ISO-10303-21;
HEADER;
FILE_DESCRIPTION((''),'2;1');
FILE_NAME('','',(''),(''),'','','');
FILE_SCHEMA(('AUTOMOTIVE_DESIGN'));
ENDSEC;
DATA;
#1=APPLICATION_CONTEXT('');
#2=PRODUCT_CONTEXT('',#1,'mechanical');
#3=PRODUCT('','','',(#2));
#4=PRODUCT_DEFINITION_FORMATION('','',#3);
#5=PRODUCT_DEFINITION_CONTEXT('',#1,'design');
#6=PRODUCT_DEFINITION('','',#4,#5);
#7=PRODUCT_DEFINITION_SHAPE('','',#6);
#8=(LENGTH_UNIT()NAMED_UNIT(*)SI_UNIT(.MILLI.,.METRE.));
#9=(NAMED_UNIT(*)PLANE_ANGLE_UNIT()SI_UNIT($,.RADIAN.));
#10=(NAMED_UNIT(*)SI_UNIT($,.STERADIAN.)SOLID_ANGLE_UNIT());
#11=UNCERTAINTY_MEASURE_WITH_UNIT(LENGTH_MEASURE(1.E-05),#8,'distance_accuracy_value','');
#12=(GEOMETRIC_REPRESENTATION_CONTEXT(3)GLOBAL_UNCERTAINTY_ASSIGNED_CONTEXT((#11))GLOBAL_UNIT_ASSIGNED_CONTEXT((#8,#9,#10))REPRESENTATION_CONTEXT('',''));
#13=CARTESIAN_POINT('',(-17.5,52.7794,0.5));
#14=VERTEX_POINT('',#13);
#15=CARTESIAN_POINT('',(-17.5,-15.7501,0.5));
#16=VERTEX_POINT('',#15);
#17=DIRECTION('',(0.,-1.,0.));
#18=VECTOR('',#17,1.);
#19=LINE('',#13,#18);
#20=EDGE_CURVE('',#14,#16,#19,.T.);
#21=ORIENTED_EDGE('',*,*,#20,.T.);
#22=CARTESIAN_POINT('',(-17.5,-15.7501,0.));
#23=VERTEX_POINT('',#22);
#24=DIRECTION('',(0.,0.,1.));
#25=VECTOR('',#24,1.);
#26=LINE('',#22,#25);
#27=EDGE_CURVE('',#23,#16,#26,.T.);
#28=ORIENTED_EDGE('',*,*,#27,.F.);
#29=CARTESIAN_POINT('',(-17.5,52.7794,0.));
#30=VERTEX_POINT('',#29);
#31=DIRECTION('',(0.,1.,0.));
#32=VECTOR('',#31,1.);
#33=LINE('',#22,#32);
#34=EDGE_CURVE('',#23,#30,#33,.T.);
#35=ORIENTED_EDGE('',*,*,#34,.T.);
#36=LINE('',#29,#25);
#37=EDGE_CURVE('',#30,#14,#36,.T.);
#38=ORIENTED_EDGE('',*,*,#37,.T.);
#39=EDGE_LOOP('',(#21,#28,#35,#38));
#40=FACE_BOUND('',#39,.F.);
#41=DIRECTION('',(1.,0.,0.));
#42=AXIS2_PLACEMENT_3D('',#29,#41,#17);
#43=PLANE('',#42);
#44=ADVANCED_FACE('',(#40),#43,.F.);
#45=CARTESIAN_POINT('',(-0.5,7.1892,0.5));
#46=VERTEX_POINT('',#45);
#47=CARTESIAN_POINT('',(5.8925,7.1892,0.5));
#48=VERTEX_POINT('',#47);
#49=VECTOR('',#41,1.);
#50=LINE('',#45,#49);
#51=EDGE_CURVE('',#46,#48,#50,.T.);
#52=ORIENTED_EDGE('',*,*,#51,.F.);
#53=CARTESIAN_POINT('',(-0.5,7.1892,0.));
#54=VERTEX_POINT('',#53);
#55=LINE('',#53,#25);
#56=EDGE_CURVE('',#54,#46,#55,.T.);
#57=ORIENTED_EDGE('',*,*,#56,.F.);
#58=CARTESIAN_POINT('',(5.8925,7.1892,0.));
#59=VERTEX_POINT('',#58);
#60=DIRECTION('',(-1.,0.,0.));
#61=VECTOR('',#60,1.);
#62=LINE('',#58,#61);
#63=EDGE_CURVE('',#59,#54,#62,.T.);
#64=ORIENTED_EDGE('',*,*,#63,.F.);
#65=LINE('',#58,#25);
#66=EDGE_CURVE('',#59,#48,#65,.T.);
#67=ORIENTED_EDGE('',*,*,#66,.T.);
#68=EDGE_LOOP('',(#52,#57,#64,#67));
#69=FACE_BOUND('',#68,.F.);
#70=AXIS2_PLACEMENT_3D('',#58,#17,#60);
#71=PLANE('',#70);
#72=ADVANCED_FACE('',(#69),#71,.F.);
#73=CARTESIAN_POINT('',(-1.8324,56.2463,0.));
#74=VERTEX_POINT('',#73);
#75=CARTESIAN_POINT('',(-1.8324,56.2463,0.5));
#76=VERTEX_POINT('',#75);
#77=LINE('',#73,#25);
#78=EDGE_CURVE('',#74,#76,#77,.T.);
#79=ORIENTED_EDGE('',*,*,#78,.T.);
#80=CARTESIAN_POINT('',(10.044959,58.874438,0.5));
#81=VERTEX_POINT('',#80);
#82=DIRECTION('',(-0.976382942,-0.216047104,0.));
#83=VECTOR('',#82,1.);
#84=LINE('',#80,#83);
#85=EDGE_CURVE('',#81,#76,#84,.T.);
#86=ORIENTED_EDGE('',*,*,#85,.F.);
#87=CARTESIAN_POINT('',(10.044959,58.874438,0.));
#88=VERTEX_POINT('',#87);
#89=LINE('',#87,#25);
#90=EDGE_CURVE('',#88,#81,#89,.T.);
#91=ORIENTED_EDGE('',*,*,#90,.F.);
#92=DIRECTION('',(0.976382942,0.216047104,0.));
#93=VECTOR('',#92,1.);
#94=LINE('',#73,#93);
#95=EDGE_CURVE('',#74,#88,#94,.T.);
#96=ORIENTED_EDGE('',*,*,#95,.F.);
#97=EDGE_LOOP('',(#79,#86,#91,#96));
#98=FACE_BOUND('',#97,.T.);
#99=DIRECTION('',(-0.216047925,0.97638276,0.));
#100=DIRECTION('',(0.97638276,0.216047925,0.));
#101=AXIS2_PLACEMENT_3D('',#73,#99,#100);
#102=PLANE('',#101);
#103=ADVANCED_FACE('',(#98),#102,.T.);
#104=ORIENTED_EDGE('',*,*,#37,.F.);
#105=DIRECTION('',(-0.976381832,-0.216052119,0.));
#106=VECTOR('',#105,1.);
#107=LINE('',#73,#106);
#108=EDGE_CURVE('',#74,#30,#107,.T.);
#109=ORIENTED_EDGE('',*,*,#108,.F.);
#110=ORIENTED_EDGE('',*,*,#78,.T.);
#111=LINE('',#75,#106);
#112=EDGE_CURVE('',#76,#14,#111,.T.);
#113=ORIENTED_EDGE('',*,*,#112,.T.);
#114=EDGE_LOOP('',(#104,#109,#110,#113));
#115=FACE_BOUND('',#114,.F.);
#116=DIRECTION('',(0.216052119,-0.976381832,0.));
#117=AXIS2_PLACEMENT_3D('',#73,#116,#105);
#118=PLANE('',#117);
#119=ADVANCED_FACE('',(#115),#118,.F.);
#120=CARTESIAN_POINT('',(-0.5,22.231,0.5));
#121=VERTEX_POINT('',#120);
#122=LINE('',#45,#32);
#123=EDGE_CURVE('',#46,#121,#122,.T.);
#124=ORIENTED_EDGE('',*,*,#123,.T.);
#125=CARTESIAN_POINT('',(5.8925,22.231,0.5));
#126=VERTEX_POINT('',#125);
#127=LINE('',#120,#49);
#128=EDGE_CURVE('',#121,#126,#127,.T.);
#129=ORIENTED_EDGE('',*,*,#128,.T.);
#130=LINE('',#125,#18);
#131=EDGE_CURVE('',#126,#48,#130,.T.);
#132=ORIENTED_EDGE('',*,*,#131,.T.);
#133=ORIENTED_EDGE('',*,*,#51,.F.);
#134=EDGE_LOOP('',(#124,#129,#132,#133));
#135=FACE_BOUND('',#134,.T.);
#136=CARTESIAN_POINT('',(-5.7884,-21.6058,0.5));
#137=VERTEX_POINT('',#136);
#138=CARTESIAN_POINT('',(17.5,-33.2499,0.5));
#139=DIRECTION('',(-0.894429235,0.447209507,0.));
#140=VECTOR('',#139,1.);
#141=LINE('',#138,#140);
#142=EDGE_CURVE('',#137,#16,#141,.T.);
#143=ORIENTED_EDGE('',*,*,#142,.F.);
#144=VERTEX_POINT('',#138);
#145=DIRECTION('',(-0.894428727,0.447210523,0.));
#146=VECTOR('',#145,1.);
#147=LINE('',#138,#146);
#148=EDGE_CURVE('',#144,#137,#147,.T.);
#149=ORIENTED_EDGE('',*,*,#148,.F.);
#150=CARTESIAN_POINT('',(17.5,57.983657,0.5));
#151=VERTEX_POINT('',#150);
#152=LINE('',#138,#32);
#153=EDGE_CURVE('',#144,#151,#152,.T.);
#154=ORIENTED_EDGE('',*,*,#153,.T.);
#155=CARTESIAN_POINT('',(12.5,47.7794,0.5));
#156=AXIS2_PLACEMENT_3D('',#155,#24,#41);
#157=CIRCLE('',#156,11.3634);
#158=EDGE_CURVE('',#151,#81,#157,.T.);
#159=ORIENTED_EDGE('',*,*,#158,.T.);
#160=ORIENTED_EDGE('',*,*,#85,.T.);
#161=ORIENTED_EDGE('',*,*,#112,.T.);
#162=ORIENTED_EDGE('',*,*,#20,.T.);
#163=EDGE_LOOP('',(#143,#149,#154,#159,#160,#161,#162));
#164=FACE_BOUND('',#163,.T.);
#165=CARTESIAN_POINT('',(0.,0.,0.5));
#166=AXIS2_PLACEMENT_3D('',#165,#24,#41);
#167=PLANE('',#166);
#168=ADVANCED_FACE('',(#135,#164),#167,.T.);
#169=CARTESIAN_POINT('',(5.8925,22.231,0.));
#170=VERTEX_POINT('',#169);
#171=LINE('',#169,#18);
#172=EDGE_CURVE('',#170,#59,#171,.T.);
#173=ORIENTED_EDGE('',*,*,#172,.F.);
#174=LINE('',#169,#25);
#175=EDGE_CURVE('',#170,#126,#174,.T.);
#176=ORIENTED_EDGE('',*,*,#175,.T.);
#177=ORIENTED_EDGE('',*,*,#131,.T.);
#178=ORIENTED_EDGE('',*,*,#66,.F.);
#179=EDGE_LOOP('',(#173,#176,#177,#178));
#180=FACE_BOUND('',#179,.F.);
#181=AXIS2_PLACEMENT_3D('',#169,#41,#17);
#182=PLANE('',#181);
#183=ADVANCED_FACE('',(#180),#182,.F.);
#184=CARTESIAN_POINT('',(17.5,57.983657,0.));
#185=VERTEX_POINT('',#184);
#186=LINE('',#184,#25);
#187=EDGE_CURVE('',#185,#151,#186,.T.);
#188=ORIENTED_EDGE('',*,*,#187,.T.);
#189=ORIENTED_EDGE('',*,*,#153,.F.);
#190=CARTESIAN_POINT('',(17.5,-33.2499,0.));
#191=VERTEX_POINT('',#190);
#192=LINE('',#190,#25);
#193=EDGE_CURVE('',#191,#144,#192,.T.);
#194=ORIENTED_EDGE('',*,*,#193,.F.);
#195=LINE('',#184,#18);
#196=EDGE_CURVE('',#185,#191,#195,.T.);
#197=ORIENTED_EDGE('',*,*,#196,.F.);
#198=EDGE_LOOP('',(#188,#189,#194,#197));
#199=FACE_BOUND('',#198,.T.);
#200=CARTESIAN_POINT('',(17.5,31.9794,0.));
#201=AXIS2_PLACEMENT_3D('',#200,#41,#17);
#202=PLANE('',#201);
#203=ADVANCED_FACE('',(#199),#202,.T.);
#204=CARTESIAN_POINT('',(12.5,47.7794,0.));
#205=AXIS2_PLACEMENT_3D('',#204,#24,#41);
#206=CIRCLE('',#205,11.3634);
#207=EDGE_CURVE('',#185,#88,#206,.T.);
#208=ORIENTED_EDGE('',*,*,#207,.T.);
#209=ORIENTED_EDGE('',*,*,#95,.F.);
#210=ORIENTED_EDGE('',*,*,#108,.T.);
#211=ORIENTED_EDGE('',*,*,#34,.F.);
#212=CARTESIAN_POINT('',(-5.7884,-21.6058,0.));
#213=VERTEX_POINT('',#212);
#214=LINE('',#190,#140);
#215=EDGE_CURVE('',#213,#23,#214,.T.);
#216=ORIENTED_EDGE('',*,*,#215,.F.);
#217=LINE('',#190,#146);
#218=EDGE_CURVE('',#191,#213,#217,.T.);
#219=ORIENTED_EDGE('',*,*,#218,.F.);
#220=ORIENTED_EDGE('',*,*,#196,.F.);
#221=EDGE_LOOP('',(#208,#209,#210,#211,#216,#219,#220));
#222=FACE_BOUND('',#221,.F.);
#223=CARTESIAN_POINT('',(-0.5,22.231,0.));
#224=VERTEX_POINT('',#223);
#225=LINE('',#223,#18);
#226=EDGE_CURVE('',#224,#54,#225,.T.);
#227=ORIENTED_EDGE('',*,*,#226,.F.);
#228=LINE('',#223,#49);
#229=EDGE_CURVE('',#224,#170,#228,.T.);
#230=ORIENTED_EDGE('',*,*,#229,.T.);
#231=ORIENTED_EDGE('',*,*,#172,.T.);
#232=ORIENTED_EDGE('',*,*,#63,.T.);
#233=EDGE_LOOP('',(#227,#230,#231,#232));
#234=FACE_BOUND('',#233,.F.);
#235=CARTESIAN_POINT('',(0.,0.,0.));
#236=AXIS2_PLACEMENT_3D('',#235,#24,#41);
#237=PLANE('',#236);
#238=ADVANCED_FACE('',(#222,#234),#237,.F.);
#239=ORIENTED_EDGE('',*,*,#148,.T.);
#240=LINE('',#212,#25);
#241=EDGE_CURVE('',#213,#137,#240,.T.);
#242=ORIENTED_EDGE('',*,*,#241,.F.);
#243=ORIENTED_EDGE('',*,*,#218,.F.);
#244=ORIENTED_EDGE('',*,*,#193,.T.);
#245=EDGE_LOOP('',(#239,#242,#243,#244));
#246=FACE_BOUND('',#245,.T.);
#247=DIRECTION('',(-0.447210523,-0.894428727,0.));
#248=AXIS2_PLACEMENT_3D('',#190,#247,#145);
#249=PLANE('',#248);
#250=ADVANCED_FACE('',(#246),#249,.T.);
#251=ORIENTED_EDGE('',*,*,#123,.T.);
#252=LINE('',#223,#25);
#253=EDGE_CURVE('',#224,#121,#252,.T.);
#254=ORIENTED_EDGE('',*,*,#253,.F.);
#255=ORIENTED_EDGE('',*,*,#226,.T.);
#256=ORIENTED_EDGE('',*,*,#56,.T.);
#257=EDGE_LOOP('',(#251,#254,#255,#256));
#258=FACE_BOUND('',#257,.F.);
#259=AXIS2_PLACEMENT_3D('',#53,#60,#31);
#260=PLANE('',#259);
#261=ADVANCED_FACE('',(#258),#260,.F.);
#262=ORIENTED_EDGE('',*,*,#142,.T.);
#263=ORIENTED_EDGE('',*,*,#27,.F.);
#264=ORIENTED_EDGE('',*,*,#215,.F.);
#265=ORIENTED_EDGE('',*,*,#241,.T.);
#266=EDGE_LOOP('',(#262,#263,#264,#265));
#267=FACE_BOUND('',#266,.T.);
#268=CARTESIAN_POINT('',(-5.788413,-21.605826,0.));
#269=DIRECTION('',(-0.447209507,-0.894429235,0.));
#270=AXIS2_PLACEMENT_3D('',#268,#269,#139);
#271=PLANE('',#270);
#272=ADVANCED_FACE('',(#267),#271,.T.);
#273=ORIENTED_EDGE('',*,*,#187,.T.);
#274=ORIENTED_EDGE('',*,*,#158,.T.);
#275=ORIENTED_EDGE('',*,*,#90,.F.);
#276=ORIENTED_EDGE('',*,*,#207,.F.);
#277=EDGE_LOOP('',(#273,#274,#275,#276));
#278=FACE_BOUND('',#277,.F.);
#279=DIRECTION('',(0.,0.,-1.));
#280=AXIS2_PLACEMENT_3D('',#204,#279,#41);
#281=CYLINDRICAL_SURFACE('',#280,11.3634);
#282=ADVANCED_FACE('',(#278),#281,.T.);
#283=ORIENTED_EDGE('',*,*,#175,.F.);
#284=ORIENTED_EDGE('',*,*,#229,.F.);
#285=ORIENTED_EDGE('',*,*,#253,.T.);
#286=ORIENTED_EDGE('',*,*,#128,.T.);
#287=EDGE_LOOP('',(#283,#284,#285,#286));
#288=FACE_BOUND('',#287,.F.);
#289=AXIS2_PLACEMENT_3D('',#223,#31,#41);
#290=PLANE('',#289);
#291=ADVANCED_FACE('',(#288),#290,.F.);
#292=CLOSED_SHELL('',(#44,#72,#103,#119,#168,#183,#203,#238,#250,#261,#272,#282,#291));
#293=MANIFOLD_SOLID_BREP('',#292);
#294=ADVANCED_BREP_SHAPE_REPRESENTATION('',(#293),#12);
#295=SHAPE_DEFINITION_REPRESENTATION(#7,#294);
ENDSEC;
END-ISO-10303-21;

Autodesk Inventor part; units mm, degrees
ref_plane "YZ Plane" through (0, 0, 0) normal (1, 0, 0) x (0, 1, 0)
ref_plane "XZ Plane" through (0, 0, 0) normal (0, 1, 0) x (-1, 0, 0)
ref_plane "XY Plane" through (0, 0, 0) normal (0, 0, 1) x (1, 0, 0)
sketch "Sketch1" plane through (0, 0, 0) normal (0, 0, 1) x (1, 0, 0)
  line L0 (7.5, 3.8038) -> (3.6225, 3.8038) projected
  arc A0 (1.9153, 4.762) -> (3.6225, 3.8038) centre (3.6225, 5.8038) ccw projected
  line L1 (1.9153, 4.762) -> (-2.2072, 11.517) projected
  arc A1 (-2.5, 12.5588) -> (-2.2072, 11.517) centre (-0.5, 12.5588) ccw projected
  line L2 (-2.5, 12.5588) -> (-2.5, 21.8038) projected
  arc A2 (-0.5, 23.8038) -> (-2.5, 21.8038) centre (-0.5, 21.8038) ccw projected
  line L3 (-0.5, 23.8038) -> (7.5, 23.8038) projected
  line L4 (7.5, 23.8038) -> (7.5, 3.8038) projected
  spline S0 degree 3 poles (-6.0485, -11.2843) (-6.0213, -11.0209) (-5.9428, -10.7653) (-5.6929, -10.2997) (-5.524, -10.094) (-5.1467, -9.7842) (-4.9505, -9.6718) (-4.5292, -9.5173) (-4.3073, -9.4763) (-4.0832, -9.4731) knots 0 0 0 0 0.079442 0.079442 0.158531 0.158531 0.225919 0.225919 0.293184 0.293184 0.293184 0.293184 projected
  line L5 (-6.0485, -11.2843) -> (-6.563, -16.2598) projected
  line L6 (-6.563, -16.2598) -> (-6.8849, -19.6266) projected
  arc A3 (-6.8849, -19.6266) -> (-5.7884, -21.6058) centre (-4.894, -19.817) ccw projected
  line L7 (17.5, -33.2499) -> (-5.7884, -21.6058) projected
  line L8 (17.5, 31.9794) -> (17.5, -33.2499) projected
  arc A4 (4.376, 33.2499) -> (17.5, 31.9794) centre (12.5, 48.7499) ccw projected
  arc A5 (-1.8324, 56.2463) -> (4.376, 33.2499) centre (12.5, 47.7794) ccw projected
  line L9 (-1.8324, 56.2463) -> (-17.5, 52.7794) projected
  line L10 (-17.5, 52.7794) -> (-17.5, 3.0185) projected
  ellipse E0 centre (-15.5, 3.0185) end of major axis (-15.5, 1.0011) minor radius 2 (-17.5, 3.0185) -> (-15.6888, 1.0101) ccw projected
  line L11 (-15.6888, 1.0101) -> (-3.1949, -0.1848) projected
  line L12 (-3.1949, -0.1848) -> (-4.0832, -9.4731) projected
  circle A6 centre (-12, 26.728) radius 1.25 projected
  circle A7 centre (5.3255, 26.728) radius 1.25 projected
  line L13 (-14, 9.2999) -> (-10, 9.2999) projected
  line L14 (-14, 15.6999) -> (-14, 9.2999) projected
  line L15 (-10, 15.6999) -> (-14, 15.6999) projected
  line L16 (-10, 9.2999) -> (-10, 15.6999) projected
  line L17 (13.7851, 6.0601) -> (9.7851, 6.0601) projected
  line L18 (13.7851, -0.3399) -> (13.7851, 6.0601) projected
  line L19 (9.7851, -0.3399) -> (13.7851, -0.3399) projected
  line L20 (9.7851, 6.0601) -> (9.7851, -0.3399) projected
  circle A8 centre (7.1425, -8.6154) radius 1.25 projected
  line L21 (17.5, -33.2499) -> (-17.5, -15.7501) projected
  line L22 (-17.5, -15.7501) -> (-17.5, -17.9862) projected
  line L23 (-17.5, -17.9862) -> (17.5, -35.486) projected
  line L24 (17.5, -35.486) -> (17.5, -33.2499) projected
  line L25 (-1.4649, 56.8397) -> (-18, 53.1809) projected
  line L26 (-18, 53.1809) -> (-18, -17.9862) projected
  line L27 (-18, -17.9862) -> (-17.5, -17.9862) projected
  line L28 (-17.5, -17.9862) -> (-17.5, 52.7794) projected
  line L29 (-17.5, 52.7794) -> (-1.8324, 56.2463) projected
  arc A9 (-1.4649, 56.8397) -> (-1.8324, 56.2463) centre (12.5, 47.7794) ccw projected
  line L30 (19.5, -37.0206) -> (19.5, 31.9794) projected
  line L31 (19.5, 31.9794) -> (17.5, 31.9794) projected
  line L32 (17.5, -37.0206) -> (17.5, 31.9794) projected
  line L33 (19.5, -37.0206) -> (17.5, -37.0206) projected
  circle A10 centre (12.5, 47.7794) radius 15.02 projected
  line L34 (-1.4649, 56.8397) -> (-11.9805, 54.5129)
  line L35 (-11.9805, 54.5129) -> (26.5324, 63.5095)
  line L36 (17.5, 31.9794) -> (17.5, 20.7849)
  line L37 (17.5, 20.7849) -> (17.5, 78.444)
  circle A11 centre (12.5, 47.7794) radius 12.1257
  line L38 (-17.5, -15.7501) -> (-17.5, 52.7794)
  line L39 (-1.8324, 56.2463) -> (11.2654, 59.1445)
  line L40 (11.2654, 59.1445) -> (26.5324, 62.5227)
  circle A12 centre (12.5, 47.7794) radius 11.3634
  line L41 (5.8925, 7.1892) -> (-0.5, 7.1892)
  line L42 (-0.5, 7.1892) -> (-0.5, 22.231)
  line L43 (-0.5, 22.231) -> (5.8925, 22.231)
  line L44 (5.8925, 22.231) -> (5.8925, 7.1892)
  point P0 (0, 0)
  point P1 (17.5, 57.9837)
  point P2 (10.0449, 58.8745)
extrude "Extrusion1" add sketch "Sketch1" along normal blind 0.5 contours L0 A0 L1 L41 L44 L43 L42 A1 L2 A2 L3 L4 | L5 L6 A3 L21 L28 E0 L11 L12 S0 | S0 L12 L11 E0 L10 L9 A5 A4 L8 L7 A3 L6 L5 | L39 A10 L37 A4 A5 | L39 A11 L37 A10 | L39 A12 L37 A11 | A12 L37 | L14 L15 L16 L13 | L18 L19 L20 L17 picked at (9.8401, 51.5561)
sketch "Sketch2" plane through (0, 0, 0.5) normal (0, 0, 1) x (1, 0, 0)
  line L0 (17.5, -33.2499) -> (17.5, 57.9837) projected
  arc A0 (17.5, 57.9837) -> (10.0449, 58.8745) centre (12.5, 47.7794) ccw projected
  line L1 (10.0449, 58.8745) -> (-17.5, 52.7794) projected
  line L2 (-17.5, 52.7794) -> (-17.5, -15.7501) projected
  line L3 (-17.5, -15.7501) -> (17.5, -33.2499) projected
  circle A1 centre (-12, 26.728) radius 1.25 projected
  circle A2 centre (5.3255, 26.728) radius 1.25 projected
  circle A3 centre (7.1425, -8.6154) radius 1.25 projected
  line L4 (-0.5, 7.1892) -> (-0.5, 22.231) projected
  line L5 (-0.5, 22.231) -> (5.8925, 22.231) projected
  line L6 (5.8925, 22.231) -> (5.8925, 7.1892) projected
  line L7 (5.8925, 7.1892) -> (-0.5, 7.1892) projected
  point P0 (0, 0)
extrude "Extrusion2" add sketch "Sketch2" against normal blind 0.5 contours A1 | A2 | A3
properties part number "pokrywa lewa" material "Aluminum 6061"
